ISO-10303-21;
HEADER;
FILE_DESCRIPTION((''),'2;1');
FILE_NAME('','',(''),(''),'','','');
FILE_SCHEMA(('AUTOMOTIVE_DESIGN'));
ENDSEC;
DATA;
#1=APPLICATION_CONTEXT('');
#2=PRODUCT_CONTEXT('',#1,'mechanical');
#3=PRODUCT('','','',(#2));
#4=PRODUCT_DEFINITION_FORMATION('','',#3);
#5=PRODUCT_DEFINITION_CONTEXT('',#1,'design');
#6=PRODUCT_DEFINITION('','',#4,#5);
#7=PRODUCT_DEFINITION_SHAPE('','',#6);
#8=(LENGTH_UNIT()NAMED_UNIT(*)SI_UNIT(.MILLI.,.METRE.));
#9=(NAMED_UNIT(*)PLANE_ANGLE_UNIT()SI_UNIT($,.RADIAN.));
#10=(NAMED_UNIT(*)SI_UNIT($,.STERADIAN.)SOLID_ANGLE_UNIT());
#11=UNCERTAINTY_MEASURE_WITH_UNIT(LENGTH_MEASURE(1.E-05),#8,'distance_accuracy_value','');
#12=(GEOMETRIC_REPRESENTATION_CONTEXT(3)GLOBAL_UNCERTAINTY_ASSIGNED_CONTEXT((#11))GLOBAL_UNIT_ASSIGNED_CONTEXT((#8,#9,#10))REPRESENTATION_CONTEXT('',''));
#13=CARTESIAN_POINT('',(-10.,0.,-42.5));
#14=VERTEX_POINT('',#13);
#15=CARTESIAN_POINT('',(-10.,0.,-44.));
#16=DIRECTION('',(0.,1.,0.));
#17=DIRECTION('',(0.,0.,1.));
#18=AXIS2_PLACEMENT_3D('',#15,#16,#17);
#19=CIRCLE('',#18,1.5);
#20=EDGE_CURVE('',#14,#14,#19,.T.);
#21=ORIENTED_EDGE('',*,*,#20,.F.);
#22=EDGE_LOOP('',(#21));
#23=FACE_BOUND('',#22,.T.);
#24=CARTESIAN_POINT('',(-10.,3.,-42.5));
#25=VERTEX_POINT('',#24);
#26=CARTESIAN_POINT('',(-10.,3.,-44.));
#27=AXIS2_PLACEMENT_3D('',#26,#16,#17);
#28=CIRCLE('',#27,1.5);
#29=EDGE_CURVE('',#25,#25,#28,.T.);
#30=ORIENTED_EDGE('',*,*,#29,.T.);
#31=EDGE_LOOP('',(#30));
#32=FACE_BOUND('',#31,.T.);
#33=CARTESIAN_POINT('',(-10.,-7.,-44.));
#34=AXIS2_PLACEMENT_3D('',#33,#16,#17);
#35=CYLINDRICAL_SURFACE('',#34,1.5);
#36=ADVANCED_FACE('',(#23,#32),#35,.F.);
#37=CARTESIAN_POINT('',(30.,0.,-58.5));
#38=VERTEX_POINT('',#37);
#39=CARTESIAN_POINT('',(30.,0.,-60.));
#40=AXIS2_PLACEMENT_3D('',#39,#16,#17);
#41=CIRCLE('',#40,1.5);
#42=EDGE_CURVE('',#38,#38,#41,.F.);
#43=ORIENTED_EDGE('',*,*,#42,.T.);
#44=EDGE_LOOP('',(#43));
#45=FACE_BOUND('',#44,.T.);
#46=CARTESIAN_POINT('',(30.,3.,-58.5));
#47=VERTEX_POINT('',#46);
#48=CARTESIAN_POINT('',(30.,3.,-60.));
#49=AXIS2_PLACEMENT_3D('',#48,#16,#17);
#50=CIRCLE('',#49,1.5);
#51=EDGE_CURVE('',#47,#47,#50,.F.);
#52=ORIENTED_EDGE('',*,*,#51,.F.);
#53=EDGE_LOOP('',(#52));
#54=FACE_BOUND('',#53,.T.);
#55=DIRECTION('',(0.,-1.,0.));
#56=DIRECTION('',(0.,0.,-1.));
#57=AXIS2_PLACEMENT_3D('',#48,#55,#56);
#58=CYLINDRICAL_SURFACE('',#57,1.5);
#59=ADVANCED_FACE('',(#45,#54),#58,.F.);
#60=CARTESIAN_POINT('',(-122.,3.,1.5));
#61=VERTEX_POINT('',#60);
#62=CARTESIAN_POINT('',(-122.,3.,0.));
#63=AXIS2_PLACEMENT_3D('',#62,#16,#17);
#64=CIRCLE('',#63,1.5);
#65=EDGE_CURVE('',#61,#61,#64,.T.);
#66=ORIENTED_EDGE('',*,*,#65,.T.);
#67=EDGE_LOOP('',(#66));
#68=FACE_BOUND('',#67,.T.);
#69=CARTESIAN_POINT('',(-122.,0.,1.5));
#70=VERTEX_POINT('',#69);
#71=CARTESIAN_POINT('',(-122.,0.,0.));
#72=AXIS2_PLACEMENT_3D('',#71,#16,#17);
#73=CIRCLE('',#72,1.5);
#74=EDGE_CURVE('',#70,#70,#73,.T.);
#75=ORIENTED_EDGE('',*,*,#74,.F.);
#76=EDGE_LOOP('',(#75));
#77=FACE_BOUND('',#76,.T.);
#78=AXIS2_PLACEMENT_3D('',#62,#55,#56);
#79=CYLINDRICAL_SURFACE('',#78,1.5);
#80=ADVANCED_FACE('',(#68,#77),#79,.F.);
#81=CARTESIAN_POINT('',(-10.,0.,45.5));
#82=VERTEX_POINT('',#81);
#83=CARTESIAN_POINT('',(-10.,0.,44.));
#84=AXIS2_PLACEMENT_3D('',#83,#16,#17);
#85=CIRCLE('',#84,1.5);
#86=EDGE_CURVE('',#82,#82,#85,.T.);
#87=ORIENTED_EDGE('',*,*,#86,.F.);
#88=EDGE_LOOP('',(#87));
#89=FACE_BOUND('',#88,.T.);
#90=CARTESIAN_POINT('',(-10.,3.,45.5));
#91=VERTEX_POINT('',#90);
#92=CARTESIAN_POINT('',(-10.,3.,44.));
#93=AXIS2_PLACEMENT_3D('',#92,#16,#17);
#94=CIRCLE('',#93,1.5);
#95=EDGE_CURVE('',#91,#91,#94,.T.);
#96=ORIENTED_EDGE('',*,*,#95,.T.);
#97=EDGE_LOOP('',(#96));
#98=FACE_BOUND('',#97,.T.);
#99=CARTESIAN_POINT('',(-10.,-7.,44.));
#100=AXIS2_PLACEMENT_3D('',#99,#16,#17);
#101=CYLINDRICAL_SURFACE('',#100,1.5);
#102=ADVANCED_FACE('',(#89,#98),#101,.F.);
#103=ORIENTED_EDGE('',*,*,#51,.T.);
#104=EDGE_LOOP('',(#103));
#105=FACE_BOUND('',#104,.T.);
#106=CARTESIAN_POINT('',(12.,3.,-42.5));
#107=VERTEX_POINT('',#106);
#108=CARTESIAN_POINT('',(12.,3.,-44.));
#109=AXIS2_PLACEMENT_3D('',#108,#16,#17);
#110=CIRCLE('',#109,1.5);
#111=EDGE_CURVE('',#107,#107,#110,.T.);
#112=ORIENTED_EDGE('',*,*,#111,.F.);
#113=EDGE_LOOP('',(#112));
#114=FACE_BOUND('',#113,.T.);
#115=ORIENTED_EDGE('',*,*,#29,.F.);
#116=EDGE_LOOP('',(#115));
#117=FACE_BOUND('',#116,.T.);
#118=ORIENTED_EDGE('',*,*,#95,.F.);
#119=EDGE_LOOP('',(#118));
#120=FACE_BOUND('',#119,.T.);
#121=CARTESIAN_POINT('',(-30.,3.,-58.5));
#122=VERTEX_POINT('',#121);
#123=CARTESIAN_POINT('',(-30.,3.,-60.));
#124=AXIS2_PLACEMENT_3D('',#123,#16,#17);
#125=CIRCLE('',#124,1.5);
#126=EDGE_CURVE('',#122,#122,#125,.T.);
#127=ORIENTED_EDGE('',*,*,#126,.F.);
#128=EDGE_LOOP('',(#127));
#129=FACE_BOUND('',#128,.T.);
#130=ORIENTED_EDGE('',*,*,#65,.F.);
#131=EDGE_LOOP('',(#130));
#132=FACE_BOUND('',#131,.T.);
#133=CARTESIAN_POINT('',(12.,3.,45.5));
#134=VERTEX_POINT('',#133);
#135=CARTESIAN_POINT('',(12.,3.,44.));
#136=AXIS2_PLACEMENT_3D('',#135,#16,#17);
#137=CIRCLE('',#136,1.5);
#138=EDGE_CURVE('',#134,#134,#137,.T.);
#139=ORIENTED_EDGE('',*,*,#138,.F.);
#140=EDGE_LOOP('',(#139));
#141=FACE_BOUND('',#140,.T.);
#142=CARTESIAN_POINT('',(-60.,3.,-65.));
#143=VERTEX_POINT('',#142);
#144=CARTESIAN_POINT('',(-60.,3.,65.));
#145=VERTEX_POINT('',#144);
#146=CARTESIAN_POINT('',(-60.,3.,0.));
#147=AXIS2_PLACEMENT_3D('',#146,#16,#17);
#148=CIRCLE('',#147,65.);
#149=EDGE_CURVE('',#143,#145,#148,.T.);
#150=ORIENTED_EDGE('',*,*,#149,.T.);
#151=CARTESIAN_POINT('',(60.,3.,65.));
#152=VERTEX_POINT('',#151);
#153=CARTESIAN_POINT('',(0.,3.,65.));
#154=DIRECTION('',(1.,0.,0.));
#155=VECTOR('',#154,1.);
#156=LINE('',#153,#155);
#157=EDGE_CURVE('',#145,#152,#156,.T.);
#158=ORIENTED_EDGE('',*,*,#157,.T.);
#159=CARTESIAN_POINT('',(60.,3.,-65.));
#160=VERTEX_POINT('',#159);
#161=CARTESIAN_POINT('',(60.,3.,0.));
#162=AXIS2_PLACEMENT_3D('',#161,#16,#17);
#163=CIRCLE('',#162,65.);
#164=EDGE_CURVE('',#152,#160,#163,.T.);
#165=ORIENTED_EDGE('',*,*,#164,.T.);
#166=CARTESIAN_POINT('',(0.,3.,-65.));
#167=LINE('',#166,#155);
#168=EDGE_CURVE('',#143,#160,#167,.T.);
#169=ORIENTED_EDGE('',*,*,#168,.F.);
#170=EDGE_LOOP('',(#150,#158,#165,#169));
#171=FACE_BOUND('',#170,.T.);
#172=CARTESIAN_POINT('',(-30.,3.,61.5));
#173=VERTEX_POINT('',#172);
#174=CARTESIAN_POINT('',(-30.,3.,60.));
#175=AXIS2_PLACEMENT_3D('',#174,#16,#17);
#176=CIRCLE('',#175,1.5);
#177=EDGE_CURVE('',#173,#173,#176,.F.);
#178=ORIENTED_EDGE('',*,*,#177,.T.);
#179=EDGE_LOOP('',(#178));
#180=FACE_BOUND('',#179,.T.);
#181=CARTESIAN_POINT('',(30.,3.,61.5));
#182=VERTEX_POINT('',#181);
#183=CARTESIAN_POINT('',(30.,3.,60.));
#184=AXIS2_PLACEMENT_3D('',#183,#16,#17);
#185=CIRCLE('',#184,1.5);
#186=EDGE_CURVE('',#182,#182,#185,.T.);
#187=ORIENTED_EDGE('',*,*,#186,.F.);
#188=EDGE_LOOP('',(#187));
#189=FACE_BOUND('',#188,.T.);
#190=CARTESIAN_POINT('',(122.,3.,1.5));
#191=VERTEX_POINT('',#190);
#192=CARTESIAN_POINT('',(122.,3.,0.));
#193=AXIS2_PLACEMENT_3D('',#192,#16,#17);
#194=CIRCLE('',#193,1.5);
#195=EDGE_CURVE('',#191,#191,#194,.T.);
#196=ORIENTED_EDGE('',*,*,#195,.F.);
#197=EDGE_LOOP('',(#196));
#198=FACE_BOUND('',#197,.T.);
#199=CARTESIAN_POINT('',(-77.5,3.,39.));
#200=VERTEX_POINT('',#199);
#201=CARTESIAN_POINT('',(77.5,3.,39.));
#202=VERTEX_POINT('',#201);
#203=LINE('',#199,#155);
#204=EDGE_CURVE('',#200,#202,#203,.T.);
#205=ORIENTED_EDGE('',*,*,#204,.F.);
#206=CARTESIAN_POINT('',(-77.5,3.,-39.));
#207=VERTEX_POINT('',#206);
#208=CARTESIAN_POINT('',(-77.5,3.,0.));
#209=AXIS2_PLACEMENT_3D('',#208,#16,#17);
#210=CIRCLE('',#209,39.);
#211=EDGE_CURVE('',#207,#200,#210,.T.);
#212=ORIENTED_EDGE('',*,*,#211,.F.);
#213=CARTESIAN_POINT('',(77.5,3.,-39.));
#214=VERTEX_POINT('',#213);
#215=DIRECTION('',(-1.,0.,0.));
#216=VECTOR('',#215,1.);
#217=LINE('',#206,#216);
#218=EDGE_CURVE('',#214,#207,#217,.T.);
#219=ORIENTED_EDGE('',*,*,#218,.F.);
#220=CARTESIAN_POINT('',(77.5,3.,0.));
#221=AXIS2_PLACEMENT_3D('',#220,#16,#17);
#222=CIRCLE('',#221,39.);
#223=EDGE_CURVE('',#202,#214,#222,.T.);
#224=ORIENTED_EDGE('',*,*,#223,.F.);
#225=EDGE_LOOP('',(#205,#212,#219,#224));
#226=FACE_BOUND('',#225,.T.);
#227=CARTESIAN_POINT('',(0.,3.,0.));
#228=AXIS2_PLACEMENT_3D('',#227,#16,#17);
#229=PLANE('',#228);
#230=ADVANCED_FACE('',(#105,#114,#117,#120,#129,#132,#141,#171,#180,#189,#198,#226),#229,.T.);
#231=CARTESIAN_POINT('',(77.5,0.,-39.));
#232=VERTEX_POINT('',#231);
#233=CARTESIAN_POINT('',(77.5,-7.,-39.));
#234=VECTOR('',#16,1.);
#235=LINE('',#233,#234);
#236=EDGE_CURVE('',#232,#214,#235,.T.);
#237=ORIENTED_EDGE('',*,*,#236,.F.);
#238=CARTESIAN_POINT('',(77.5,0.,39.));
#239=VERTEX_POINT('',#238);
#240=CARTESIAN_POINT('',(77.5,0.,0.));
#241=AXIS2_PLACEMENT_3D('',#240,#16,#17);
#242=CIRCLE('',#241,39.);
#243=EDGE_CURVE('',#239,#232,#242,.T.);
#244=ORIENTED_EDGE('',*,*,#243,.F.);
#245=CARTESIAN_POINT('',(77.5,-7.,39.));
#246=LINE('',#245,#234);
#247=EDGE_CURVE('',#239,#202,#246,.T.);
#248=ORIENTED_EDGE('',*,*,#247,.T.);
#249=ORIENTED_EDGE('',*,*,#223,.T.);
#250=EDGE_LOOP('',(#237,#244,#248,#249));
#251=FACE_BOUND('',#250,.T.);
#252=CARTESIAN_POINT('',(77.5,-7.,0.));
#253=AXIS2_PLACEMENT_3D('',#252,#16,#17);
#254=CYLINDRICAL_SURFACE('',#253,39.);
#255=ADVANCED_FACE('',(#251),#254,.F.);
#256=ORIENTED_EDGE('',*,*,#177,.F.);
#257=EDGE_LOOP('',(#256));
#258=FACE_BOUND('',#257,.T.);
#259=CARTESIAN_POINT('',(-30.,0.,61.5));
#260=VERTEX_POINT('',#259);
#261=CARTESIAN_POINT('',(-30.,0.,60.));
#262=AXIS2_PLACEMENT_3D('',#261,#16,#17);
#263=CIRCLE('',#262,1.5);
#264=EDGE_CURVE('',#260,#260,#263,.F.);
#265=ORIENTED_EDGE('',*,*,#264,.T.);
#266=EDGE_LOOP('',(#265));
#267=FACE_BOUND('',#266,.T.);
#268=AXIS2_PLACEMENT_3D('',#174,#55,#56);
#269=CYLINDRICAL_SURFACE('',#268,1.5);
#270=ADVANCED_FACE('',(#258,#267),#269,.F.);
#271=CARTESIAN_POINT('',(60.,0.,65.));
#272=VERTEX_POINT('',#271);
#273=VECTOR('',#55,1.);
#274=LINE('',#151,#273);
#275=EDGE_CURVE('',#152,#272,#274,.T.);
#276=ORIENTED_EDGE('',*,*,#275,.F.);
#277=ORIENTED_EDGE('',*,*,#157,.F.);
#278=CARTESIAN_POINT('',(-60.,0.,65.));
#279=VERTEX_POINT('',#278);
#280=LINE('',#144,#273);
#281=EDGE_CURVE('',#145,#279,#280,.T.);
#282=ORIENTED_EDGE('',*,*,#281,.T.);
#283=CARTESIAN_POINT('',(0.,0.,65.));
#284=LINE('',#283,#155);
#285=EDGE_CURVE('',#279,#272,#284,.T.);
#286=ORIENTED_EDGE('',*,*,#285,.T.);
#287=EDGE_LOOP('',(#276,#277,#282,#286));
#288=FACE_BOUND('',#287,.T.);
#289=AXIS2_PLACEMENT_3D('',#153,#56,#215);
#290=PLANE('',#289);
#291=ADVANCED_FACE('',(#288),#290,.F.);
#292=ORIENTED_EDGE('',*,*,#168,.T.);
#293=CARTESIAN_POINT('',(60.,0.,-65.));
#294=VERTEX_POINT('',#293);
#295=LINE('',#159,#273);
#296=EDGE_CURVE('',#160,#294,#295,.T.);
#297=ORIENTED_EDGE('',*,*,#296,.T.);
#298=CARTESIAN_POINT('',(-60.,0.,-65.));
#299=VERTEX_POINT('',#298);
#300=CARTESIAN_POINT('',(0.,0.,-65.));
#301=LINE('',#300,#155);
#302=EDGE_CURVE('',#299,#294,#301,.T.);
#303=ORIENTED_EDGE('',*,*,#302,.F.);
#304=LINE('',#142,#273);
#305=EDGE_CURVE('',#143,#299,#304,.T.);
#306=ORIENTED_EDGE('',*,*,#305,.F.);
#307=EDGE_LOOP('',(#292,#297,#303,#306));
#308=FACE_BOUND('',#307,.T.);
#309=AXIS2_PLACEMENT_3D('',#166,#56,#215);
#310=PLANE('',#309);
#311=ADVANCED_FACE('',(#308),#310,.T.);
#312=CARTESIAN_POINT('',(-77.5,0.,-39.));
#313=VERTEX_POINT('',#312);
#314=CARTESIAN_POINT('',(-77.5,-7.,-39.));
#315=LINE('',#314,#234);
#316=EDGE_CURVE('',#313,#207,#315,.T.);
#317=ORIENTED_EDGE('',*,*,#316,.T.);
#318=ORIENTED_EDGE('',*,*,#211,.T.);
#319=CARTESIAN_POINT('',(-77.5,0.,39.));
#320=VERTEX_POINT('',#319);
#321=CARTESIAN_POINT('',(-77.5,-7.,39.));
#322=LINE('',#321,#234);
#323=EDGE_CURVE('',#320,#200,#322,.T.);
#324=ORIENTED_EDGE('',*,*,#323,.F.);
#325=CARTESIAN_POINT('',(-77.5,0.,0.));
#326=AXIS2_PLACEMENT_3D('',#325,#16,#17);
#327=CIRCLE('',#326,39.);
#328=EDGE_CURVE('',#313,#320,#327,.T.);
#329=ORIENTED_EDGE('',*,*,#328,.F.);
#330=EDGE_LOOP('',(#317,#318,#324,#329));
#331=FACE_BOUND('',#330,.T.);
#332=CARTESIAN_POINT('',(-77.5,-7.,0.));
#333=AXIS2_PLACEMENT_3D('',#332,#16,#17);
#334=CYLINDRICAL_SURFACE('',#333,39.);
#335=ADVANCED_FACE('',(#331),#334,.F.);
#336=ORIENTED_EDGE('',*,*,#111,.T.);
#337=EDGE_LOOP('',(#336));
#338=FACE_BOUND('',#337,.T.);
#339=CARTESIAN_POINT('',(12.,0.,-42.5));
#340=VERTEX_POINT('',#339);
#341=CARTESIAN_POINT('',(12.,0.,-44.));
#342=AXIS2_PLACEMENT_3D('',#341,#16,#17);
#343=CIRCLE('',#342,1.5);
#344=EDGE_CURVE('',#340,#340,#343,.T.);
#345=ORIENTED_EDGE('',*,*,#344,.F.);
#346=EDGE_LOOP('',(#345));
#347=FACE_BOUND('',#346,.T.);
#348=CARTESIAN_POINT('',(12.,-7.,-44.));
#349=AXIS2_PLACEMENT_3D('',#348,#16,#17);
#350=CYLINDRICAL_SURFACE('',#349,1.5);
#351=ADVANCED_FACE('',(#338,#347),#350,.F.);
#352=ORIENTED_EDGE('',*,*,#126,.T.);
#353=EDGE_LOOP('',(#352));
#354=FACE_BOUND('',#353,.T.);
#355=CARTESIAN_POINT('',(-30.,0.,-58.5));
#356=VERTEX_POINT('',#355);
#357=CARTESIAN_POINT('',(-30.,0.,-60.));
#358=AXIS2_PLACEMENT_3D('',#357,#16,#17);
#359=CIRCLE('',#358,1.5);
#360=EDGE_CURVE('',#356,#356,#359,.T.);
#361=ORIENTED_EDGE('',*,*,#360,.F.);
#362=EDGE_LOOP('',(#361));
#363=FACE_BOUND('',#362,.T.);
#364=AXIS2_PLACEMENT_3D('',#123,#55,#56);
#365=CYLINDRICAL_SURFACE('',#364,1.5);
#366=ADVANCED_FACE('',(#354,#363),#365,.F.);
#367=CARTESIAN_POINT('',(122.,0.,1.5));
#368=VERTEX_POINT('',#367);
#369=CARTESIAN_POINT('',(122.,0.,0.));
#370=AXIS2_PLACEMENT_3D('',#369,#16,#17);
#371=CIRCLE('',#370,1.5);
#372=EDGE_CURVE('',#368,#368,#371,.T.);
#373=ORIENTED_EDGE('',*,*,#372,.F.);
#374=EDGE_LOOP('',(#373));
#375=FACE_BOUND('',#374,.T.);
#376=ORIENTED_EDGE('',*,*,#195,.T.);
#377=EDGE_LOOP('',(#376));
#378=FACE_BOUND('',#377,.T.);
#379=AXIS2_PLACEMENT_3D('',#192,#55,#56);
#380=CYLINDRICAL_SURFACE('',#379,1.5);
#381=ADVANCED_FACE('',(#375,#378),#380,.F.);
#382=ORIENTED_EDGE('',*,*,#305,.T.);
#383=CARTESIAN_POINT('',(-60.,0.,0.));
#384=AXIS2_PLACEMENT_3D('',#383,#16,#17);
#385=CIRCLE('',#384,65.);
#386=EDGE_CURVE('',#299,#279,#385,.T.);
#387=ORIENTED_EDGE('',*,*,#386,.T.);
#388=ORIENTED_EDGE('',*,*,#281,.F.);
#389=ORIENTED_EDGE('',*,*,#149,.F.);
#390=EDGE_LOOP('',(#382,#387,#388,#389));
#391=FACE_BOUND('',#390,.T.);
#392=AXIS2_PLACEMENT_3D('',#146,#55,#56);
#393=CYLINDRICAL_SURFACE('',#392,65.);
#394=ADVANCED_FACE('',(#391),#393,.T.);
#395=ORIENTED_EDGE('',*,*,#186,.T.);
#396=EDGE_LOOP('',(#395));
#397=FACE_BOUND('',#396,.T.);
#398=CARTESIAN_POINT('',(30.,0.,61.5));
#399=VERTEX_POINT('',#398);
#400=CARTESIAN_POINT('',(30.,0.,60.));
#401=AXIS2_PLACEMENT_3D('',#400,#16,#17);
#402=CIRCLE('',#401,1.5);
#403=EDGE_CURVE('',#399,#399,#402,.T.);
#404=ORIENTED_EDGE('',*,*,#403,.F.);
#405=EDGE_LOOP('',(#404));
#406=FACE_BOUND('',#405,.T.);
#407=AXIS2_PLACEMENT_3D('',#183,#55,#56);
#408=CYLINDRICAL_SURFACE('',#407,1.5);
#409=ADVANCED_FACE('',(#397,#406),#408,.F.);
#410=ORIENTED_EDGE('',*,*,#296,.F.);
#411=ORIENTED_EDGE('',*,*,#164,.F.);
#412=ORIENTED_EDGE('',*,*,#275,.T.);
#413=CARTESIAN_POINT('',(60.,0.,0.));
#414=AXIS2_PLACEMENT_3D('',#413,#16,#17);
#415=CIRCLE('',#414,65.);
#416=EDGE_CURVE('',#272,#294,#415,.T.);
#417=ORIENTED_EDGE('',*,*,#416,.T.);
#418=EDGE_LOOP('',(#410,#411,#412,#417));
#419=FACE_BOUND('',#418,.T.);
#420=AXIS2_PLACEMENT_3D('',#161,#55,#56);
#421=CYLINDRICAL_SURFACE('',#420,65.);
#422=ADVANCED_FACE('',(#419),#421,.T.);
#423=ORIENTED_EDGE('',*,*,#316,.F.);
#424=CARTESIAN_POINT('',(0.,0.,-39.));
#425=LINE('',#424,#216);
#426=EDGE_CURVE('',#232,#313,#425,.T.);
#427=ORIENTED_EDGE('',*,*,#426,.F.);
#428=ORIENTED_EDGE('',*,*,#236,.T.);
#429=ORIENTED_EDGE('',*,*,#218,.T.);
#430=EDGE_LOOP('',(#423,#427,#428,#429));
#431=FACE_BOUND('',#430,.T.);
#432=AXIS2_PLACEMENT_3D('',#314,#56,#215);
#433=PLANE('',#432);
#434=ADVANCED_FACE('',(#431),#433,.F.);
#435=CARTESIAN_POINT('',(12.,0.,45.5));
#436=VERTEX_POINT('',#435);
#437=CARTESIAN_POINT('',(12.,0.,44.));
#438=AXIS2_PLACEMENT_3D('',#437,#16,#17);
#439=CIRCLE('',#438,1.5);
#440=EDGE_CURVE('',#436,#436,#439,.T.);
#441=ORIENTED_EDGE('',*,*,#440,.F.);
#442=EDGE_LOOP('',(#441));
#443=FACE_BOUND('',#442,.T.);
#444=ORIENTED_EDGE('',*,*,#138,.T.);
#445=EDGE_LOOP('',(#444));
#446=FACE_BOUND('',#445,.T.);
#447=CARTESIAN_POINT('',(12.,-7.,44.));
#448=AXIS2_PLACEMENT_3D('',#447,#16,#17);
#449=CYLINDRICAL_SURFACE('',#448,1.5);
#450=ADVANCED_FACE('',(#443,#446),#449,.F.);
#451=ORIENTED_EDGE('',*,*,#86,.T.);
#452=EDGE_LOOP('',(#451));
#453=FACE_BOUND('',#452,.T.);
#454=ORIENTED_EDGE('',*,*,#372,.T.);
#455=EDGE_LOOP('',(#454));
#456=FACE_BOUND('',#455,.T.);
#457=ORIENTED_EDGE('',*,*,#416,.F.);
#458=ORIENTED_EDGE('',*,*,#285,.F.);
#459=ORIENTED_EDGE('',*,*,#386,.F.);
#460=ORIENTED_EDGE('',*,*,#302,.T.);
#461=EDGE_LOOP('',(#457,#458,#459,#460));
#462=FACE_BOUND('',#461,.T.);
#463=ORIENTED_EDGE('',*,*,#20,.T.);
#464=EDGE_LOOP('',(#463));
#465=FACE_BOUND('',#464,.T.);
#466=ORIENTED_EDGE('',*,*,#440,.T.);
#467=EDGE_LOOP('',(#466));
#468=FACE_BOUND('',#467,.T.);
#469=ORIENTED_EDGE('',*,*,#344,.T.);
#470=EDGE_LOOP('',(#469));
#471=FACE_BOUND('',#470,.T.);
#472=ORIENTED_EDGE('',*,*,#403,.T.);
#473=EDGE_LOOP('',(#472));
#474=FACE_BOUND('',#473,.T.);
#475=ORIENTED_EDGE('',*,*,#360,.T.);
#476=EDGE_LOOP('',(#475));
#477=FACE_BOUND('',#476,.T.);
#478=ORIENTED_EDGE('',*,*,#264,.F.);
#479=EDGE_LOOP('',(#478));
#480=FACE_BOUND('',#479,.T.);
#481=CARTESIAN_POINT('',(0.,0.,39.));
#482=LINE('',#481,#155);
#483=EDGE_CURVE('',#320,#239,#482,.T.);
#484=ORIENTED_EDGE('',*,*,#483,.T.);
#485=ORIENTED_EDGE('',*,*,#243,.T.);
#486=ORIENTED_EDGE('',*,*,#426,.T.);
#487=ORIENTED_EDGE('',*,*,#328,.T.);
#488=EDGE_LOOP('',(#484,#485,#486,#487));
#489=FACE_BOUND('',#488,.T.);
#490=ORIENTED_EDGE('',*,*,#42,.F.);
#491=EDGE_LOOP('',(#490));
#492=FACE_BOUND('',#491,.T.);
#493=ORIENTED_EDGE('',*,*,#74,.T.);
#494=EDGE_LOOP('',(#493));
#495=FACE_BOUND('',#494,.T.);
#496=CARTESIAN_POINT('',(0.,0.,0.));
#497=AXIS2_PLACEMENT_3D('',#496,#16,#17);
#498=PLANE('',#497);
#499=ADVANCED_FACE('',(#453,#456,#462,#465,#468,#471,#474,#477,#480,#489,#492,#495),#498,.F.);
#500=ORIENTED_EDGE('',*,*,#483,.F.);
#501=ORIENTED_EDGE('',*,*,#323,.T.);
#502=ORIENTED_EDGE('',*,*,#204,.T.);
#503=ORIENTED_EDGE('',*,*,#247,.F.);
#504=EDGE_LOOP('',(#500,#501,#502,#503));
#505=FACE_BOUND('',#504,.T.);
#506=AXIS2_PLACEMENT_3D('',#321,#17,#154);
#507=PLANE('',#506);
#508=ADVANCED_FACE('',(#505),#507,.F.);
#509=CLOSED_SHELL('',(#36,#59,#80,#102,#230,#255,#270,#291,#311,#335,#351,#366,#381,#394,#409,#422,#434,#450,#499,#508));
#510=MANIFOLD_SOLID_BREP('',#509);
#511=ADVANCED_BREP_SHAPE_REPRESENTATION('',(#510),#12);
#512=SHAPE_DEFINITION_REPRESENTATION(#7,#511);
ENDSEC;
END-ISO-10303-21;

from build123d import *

# Parameters (mm, degrees)
SKETCH_1_R          = 1.5
EXTRUDE_2_DEPTH     = 3
SKETCH_2_R          = 1.5
CUT_EXTRUDE_1_DEPTH = 10
CUT_EXTRUDE_2_DEPTH = 10


with BuildPart() as part:
    # 草图1 → 凸台-拉伸2 (new body)
    with BuildSketch(Plane(origin=(0, 0, 0), x_dir=(1, 0, 0), z_dir=(0, 1, 0))):
        with BuildLine():
            Line((-60, 65), (60, 65))
            ThreePointArc((60, 65), (125, 0), (60, -65))
            Line((60, -65), (-60, -65))
            ThreePointArc((-60, -65), (-125, 0), (-60, 65))
        make_face()
        with Locations((-122, 0)):
            Circle(SKETCH_1_R, mode=Mode.SUBTRACT)
        with Locations((122, 0)):
            Circle(SKETCH_1_R, mode=Mode.SUBTRACT)
        with Locations((-30, 60)):
            Circle(SKETCH_1_R, mode=Mode.SUBTRACT)
        with Locations((30, 60)):
            Circle(SKETCH_1_R, mode=Mode.SUBTRACT)
        with Locations((30, -60)):
            Circle(SKETCH_1_R, mode=Mode.SUBTRACT)
        with Locations((-30, -60)):
            Circle(SKETCH_1_R, mode=Mode.SUBTRACT)
    extrude(amount=EXTRUDE_2_DEPTH)

    # 草图2 → 切除-拉伸1 (cut)
    with BuildSketch(Plane(origin=(0, 3, 0), x_dir=(1, 0, 0), z_dir=(0, 1, 0))):
        with Locations((-10, 44)):
            Circle(SKETCH_2_R)
        with Locations((12, 44)):
            Circle(SKETCH_2_R)
        with Locations((-10, -44)):
            Circle(SKETCH_2_R)
        with Locations((12, -44)):
            Circle(SKETCH_2_R)
    extrude(amount=-CUT_EXTRUDE_1_DEPTH, mode=Mode.SUBTRACT)

    # 草图3 → 切除-拉伸2 (cut)
    with BuildSketch(Plane(origin=(0, 3, 0), x_dir=(1, 0, 0), z_dir=(0, 1, 0))):
        with BuildLine():
            Line((-77.5, 39), (77.5, 39))
            ThreePointArc((77.5, 39), (116.5, 0), (77.5, -39))
            Line((77.5, -39), (-77.5, -39))
            ThreePointArc((-77.5, -39), (-116.5, 0), (-77.5, 39))
        make_face()
    extrude(amount=-CUT_EXTRUDE_2_DEPTH, mode=Mode.SUBTRACT)


solid = part.part
